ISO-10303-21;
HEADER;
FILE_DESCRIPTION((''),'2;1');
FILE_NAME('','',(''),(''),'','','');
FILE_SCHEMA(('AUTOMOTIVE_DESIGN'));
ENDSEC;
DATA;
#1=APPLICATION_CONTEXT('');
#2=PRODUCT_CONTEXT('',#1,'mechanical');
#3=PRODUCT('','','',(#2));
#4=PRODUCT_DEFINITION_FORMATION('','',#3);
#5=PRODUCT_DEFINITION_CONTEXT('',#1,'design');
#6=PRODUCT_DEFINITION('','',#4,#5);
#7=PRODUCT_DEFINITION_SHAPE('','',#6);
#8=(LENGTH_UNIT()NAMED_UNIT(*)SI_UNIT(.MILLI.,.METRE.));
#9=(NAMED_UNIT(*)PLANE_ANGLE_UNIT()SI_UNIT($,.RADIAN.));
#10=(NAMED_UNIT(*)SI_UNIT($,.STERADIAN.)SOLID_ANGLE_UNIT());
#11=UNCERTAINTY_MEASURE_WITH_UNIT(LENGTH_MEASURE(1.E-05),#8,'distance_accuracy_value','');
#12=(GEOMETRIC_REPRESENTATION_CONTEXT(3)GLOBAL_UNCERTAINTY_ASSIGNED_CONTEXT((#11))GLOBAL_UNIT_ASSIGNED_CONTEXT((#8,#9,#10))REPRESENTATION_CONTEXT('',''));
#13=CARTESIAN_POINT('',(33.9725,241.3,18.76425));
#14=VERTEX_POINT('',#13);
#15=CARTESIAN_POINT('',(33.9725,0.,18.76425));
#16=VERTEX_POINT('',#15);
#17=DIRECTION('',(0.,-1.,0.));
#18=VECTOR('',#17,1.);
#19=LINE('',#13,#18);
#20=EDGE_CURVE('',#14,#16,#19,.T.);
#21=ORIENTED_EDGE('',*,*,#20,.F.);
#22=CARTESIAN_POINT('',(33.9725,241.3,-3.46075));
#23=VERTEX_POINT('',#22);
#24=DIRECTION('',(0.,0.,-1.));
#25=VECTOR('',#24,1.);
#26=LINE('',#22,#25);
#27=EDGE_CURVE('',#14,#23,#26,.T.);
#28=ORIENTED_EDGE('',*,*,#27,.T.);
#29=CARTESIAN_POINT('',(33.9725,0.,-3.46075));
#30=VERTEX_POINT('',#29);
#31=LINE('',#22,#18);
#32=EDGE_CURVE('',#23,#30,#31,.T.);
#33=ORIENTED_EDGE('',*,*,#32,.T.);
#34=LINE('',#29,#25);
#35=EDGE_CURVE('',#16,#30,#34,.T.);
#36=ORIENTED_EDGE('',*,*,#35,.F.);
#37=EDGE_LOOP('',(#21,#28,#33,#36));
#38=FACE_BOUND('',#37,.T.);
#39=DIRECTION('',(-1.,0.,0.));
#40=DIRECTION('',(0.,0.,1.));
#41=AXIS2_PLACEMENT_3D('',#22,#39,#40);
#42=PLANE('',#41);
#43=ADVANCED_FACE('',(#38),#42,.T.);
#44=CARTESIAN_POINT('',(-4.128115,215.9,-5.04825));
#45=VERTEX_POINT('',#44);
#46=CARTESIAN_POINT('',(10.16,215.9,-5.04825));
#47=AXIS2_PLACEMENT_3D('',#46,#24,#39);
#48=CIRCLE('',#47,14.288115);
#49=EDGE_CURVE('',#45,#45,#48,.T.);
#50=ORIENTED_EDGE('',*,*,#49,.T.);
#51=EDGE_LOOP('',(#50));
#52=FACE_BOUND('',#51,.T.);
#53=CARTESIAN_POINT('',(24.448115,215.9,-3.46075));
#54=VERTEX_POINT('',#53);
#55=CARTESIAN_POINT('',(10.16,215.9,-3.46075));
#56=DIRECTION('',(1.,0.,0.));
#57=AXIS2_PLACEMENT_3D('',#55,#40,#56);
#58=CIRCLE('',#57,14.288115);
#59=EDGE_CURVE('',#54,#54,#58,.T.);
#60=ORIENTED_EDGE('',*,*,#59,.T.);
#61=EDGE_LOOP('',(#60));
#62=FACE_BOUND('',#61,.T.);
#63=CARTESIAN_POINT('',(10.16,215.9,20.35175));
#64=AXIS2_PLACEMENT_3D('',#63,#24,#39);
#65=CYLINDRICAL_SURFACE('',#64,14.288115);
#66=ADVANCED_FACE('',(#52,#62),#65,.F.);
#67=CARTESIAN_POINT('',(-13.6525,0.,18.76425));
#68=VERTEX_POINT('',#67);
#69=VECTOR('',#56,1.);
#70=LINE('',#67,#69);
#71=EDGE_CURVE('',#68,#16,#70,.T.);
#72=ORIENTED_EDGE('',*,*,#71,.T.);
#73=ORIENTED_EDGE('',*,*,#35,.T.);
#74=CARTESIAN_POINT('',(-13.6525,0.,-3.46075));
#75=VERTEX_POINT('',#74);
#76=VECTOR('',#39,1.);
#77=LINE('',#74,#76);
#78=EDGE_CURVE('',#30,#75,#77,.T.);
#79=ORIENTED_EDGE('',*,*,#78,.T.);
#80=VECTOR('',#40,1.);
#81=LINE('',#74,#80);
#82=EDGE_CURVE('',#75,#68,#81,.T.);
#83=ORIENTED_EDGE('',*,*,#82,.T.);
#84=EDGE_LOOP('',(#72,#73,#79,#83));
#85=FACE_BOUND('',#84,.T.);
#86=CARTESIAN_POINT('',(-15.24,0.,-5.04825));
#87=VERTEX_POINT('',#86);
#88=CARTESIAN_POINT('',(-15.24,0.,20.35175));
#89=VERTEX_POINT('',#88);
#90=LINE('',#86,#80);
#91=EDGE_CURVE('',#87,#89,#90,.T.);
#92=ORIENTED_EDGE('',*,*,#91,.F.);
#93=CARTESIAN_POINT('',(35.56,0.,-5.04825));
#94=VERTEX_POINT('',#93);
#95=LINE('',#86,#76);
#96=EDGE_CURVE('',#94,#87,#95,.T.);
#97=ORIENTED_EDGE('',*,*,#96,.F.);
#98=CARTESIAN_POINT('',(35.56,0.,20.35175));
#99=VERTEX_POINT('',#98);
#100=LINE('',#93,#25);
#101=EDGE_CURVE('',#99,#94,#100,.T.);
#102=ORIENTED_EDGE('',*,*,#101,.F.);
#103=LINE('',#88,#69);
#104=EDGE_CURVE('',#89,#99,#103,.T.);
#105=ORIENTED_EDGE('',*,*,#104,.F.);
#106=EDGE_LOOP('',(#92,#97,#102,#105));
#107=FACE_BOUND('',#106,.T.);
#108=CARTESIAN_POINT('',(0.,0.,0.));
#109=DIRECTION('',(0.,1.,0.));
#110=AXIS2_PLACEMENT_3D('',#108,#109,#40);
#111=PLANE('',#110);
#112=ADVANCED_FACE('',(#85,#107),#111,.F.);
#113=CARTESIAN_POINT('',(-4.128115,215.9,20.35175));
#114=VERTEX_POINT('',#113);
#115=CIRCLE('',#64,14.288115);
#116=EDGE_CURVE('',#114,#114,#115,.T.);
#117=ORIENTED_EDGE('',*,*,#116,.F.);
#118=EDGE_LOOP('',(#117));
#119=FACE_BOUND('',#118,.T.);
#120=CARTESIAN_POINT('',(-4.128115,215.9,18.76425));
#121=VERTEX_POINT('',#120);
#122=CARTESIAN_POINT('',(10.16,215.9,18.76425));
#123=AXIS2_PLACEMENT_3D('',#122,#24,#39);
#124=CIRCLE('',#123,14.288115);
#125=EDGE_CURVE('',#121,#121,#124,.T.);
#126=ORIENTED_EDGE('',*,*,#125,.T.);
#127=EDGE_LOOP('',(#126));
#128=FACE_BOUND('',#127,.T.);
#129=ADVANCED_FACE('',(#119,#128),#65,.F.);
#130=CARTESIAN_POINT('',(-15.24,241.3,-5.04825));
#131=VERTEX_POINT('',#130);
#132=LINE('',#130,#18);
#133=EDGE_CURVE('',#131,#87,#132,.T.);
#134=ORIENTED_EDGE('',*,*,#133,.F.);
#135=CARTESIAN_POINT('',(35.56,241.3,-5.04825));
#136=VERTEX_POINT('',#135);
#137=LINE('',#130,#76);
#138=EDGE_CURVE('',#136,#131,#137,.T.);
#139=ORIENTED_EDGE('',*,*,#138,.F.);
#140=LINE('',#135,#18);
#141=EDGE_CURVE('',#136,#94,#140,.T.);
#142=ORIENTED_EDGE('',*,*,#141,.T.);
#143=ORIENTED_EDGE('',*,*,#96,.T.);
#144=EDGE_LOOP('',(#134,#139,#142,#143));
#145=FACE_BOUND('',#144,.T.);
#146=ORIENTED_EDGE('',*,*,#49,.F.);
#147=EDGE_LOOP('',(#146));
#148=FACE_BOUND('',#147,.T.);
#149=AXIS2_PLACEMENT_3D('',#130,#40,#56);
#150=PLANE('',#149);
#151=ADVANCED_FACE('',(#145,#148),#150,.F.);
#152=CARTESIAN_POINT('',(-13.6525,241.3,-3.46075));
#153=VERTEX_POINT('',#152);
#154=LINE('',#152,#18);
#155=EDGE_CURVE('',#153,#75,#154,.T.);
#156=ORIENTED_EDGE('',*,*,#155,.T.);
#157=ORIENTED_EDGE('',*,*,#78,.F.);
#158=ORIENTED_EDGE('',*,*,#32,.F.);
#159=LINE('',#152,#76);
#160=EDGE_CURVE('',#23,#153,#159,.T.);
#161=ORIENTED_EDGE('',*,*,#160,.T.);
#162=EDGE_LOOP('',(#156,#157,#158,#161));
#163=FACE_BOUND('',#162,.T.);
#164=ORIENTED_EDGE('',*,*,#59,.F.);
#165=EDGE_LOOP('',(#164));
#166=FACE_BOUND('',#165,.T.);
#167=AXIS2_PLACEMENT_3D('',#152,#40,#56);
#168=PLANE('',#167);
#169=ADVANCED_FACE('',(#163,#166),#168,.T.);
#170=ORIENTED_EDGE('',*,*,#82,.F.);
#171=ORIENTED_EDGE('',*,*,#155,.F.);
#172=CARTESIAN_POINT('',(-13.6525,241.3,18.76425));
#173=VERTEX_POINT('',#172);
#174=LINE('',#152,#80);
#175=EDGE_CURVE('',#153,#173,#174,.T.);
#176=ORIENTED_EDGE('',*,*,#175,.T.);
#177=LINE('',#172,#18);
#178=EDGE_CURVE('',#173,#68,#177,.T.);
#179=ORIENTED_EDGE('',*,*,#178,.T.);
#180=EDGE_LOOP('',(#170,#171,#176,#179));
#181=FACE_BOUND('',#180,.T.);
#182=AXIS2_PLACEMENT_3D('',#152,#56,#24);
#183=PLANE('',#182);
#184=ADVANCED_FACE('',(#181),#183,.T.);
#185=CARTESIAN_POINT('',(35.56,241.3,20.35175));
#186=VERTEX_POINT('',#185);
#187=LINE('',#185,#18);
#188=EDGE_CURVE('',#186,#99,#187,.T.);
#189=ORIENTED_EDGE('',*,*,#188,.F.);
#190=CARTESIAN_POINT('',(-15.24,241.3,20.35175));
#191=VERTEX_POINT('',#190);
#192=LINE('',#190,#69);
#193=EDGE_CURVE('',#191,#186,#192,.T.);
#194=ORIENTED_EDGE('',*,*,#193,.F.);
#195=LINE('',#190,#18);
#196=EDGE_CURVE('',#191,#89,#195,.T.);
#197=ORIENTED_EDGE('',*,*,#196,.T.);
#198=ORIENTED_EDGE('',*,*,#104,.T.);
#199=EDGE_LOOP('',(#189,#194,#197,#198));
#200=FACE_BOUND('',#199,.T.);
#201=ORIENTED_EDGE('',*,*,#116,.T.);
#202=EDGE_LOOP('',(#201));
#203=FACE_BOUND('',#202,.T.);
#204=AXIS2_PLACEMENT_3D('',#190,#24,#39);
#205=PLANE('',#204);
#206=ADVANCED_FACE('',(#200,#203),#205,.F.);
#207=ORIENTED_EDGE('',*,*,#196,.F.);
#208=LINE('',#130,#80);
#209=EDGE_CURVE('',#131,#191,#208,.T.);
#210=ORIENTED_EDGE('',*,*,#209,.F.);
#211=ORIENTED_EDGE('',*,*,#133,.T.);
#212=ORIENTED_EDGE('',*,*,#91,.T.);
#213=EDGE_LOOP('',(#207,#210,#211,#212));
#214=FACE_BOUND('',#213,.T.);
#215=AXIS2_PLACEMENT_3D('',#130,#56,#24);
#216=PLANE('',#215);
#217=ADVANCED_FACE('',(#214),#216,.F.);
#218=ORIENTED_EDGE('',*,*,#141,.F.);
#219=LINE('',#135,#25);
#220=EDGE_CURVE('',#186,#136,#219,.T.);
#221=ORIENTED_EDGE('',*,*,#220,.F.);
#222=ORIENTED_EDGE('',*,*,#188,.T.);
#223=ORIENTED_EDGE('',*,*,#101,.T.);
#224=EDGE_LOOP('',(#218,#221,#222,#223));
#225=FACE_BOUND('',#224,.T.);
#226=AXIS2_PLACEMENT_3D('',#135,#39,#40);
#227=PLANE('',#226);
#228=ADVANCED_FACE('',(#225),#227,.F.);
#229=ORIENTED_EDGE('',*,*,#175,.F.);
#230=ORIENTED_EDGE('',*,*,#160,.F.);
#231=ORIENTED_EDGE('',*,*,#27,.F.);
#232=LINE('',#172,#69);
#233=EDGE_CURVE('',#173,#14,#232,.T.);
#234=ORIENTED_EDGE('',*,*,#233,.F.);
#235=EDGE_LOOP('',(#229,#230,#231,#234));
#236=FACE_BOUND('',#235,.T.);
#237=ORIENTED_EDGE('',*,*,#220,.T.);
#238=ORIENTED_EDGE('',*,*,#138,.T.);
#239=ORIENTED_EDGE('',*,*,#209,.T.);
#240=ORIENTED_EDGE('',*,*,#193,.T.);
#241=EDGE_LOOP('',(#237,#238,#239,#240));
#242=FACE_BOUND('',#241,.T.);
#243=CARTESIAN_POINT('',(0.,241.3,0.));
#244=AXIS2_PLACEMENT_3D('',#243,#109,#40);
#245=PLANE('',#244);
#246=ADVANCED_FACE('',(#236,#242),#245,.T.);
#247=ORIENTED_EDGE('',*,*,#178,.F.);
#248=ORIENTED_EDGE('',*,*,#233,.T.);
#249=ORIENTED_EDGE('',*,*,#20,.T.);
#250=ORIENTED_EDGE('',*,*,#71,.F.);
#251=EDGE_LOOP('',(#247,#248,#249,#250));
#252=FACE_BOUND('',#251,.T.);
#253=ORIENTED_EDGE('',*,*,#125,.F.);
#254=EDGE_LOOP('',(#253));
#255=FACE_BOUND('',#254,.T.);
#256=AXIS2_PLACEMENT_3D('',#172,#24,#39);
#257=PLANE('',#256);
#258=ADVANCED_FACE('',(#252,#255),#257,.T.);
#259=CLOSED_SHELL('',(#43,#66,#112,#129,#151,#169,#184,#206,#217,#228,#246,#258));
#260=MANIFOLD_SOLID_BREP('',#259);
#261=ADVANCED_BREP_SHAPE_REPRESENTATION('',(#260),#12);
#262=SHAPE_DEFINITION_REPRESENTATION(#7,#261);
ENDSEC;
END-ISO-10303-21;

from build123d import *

# Parameters (mm, degrees)
SKETCH1_W           = 50.8
SKETCH1_H           = 25.4
SKETCH1_W_2         = 47.625
SKETCH1_H_2         = 22.225
BOSS_EXTRUDE1_DEPTH = 241.3
SKETCH2_R           = 14.288114564
CUT_EXTRUDE1_DEPTH  = 26.4


with BuildPart() as part:
    # Sketch1 → Boss-Extrude1 (new body)
    with BuildSketch(Plane(origin=(0, 0, 0), x_dir=(1, 0, 0), z_dir=(0, 1, 0))):
        with Locations((10.16, -7.65175)):
            Rectangle(SKETCH1_W, SKETCH1_H)
        with Locations((10.16, -7.65175)):
            Rectangle(SKETCH1_W_2, SKETCH1_H_2, mode=Mode.SUBTRACT)
    extrude(amount=BOSS_EXTRUDE1_DEPTH)

    # Sketch2 → Cut-Extrude1 (cut, through all)
    with BuildSketch(Plane(origin=(0, 0, -5.04825), x_dir=(-1, 0, 0), z_dir=(0, 0, -1))):
        with Locations((-10.16, 215.9)):
            Circle(SKETCH2_R)
    extrude(amount=-CUT_EXTRUDE1_DEPTH, mode=Mode.SUBTRACT)


solid = part.part
